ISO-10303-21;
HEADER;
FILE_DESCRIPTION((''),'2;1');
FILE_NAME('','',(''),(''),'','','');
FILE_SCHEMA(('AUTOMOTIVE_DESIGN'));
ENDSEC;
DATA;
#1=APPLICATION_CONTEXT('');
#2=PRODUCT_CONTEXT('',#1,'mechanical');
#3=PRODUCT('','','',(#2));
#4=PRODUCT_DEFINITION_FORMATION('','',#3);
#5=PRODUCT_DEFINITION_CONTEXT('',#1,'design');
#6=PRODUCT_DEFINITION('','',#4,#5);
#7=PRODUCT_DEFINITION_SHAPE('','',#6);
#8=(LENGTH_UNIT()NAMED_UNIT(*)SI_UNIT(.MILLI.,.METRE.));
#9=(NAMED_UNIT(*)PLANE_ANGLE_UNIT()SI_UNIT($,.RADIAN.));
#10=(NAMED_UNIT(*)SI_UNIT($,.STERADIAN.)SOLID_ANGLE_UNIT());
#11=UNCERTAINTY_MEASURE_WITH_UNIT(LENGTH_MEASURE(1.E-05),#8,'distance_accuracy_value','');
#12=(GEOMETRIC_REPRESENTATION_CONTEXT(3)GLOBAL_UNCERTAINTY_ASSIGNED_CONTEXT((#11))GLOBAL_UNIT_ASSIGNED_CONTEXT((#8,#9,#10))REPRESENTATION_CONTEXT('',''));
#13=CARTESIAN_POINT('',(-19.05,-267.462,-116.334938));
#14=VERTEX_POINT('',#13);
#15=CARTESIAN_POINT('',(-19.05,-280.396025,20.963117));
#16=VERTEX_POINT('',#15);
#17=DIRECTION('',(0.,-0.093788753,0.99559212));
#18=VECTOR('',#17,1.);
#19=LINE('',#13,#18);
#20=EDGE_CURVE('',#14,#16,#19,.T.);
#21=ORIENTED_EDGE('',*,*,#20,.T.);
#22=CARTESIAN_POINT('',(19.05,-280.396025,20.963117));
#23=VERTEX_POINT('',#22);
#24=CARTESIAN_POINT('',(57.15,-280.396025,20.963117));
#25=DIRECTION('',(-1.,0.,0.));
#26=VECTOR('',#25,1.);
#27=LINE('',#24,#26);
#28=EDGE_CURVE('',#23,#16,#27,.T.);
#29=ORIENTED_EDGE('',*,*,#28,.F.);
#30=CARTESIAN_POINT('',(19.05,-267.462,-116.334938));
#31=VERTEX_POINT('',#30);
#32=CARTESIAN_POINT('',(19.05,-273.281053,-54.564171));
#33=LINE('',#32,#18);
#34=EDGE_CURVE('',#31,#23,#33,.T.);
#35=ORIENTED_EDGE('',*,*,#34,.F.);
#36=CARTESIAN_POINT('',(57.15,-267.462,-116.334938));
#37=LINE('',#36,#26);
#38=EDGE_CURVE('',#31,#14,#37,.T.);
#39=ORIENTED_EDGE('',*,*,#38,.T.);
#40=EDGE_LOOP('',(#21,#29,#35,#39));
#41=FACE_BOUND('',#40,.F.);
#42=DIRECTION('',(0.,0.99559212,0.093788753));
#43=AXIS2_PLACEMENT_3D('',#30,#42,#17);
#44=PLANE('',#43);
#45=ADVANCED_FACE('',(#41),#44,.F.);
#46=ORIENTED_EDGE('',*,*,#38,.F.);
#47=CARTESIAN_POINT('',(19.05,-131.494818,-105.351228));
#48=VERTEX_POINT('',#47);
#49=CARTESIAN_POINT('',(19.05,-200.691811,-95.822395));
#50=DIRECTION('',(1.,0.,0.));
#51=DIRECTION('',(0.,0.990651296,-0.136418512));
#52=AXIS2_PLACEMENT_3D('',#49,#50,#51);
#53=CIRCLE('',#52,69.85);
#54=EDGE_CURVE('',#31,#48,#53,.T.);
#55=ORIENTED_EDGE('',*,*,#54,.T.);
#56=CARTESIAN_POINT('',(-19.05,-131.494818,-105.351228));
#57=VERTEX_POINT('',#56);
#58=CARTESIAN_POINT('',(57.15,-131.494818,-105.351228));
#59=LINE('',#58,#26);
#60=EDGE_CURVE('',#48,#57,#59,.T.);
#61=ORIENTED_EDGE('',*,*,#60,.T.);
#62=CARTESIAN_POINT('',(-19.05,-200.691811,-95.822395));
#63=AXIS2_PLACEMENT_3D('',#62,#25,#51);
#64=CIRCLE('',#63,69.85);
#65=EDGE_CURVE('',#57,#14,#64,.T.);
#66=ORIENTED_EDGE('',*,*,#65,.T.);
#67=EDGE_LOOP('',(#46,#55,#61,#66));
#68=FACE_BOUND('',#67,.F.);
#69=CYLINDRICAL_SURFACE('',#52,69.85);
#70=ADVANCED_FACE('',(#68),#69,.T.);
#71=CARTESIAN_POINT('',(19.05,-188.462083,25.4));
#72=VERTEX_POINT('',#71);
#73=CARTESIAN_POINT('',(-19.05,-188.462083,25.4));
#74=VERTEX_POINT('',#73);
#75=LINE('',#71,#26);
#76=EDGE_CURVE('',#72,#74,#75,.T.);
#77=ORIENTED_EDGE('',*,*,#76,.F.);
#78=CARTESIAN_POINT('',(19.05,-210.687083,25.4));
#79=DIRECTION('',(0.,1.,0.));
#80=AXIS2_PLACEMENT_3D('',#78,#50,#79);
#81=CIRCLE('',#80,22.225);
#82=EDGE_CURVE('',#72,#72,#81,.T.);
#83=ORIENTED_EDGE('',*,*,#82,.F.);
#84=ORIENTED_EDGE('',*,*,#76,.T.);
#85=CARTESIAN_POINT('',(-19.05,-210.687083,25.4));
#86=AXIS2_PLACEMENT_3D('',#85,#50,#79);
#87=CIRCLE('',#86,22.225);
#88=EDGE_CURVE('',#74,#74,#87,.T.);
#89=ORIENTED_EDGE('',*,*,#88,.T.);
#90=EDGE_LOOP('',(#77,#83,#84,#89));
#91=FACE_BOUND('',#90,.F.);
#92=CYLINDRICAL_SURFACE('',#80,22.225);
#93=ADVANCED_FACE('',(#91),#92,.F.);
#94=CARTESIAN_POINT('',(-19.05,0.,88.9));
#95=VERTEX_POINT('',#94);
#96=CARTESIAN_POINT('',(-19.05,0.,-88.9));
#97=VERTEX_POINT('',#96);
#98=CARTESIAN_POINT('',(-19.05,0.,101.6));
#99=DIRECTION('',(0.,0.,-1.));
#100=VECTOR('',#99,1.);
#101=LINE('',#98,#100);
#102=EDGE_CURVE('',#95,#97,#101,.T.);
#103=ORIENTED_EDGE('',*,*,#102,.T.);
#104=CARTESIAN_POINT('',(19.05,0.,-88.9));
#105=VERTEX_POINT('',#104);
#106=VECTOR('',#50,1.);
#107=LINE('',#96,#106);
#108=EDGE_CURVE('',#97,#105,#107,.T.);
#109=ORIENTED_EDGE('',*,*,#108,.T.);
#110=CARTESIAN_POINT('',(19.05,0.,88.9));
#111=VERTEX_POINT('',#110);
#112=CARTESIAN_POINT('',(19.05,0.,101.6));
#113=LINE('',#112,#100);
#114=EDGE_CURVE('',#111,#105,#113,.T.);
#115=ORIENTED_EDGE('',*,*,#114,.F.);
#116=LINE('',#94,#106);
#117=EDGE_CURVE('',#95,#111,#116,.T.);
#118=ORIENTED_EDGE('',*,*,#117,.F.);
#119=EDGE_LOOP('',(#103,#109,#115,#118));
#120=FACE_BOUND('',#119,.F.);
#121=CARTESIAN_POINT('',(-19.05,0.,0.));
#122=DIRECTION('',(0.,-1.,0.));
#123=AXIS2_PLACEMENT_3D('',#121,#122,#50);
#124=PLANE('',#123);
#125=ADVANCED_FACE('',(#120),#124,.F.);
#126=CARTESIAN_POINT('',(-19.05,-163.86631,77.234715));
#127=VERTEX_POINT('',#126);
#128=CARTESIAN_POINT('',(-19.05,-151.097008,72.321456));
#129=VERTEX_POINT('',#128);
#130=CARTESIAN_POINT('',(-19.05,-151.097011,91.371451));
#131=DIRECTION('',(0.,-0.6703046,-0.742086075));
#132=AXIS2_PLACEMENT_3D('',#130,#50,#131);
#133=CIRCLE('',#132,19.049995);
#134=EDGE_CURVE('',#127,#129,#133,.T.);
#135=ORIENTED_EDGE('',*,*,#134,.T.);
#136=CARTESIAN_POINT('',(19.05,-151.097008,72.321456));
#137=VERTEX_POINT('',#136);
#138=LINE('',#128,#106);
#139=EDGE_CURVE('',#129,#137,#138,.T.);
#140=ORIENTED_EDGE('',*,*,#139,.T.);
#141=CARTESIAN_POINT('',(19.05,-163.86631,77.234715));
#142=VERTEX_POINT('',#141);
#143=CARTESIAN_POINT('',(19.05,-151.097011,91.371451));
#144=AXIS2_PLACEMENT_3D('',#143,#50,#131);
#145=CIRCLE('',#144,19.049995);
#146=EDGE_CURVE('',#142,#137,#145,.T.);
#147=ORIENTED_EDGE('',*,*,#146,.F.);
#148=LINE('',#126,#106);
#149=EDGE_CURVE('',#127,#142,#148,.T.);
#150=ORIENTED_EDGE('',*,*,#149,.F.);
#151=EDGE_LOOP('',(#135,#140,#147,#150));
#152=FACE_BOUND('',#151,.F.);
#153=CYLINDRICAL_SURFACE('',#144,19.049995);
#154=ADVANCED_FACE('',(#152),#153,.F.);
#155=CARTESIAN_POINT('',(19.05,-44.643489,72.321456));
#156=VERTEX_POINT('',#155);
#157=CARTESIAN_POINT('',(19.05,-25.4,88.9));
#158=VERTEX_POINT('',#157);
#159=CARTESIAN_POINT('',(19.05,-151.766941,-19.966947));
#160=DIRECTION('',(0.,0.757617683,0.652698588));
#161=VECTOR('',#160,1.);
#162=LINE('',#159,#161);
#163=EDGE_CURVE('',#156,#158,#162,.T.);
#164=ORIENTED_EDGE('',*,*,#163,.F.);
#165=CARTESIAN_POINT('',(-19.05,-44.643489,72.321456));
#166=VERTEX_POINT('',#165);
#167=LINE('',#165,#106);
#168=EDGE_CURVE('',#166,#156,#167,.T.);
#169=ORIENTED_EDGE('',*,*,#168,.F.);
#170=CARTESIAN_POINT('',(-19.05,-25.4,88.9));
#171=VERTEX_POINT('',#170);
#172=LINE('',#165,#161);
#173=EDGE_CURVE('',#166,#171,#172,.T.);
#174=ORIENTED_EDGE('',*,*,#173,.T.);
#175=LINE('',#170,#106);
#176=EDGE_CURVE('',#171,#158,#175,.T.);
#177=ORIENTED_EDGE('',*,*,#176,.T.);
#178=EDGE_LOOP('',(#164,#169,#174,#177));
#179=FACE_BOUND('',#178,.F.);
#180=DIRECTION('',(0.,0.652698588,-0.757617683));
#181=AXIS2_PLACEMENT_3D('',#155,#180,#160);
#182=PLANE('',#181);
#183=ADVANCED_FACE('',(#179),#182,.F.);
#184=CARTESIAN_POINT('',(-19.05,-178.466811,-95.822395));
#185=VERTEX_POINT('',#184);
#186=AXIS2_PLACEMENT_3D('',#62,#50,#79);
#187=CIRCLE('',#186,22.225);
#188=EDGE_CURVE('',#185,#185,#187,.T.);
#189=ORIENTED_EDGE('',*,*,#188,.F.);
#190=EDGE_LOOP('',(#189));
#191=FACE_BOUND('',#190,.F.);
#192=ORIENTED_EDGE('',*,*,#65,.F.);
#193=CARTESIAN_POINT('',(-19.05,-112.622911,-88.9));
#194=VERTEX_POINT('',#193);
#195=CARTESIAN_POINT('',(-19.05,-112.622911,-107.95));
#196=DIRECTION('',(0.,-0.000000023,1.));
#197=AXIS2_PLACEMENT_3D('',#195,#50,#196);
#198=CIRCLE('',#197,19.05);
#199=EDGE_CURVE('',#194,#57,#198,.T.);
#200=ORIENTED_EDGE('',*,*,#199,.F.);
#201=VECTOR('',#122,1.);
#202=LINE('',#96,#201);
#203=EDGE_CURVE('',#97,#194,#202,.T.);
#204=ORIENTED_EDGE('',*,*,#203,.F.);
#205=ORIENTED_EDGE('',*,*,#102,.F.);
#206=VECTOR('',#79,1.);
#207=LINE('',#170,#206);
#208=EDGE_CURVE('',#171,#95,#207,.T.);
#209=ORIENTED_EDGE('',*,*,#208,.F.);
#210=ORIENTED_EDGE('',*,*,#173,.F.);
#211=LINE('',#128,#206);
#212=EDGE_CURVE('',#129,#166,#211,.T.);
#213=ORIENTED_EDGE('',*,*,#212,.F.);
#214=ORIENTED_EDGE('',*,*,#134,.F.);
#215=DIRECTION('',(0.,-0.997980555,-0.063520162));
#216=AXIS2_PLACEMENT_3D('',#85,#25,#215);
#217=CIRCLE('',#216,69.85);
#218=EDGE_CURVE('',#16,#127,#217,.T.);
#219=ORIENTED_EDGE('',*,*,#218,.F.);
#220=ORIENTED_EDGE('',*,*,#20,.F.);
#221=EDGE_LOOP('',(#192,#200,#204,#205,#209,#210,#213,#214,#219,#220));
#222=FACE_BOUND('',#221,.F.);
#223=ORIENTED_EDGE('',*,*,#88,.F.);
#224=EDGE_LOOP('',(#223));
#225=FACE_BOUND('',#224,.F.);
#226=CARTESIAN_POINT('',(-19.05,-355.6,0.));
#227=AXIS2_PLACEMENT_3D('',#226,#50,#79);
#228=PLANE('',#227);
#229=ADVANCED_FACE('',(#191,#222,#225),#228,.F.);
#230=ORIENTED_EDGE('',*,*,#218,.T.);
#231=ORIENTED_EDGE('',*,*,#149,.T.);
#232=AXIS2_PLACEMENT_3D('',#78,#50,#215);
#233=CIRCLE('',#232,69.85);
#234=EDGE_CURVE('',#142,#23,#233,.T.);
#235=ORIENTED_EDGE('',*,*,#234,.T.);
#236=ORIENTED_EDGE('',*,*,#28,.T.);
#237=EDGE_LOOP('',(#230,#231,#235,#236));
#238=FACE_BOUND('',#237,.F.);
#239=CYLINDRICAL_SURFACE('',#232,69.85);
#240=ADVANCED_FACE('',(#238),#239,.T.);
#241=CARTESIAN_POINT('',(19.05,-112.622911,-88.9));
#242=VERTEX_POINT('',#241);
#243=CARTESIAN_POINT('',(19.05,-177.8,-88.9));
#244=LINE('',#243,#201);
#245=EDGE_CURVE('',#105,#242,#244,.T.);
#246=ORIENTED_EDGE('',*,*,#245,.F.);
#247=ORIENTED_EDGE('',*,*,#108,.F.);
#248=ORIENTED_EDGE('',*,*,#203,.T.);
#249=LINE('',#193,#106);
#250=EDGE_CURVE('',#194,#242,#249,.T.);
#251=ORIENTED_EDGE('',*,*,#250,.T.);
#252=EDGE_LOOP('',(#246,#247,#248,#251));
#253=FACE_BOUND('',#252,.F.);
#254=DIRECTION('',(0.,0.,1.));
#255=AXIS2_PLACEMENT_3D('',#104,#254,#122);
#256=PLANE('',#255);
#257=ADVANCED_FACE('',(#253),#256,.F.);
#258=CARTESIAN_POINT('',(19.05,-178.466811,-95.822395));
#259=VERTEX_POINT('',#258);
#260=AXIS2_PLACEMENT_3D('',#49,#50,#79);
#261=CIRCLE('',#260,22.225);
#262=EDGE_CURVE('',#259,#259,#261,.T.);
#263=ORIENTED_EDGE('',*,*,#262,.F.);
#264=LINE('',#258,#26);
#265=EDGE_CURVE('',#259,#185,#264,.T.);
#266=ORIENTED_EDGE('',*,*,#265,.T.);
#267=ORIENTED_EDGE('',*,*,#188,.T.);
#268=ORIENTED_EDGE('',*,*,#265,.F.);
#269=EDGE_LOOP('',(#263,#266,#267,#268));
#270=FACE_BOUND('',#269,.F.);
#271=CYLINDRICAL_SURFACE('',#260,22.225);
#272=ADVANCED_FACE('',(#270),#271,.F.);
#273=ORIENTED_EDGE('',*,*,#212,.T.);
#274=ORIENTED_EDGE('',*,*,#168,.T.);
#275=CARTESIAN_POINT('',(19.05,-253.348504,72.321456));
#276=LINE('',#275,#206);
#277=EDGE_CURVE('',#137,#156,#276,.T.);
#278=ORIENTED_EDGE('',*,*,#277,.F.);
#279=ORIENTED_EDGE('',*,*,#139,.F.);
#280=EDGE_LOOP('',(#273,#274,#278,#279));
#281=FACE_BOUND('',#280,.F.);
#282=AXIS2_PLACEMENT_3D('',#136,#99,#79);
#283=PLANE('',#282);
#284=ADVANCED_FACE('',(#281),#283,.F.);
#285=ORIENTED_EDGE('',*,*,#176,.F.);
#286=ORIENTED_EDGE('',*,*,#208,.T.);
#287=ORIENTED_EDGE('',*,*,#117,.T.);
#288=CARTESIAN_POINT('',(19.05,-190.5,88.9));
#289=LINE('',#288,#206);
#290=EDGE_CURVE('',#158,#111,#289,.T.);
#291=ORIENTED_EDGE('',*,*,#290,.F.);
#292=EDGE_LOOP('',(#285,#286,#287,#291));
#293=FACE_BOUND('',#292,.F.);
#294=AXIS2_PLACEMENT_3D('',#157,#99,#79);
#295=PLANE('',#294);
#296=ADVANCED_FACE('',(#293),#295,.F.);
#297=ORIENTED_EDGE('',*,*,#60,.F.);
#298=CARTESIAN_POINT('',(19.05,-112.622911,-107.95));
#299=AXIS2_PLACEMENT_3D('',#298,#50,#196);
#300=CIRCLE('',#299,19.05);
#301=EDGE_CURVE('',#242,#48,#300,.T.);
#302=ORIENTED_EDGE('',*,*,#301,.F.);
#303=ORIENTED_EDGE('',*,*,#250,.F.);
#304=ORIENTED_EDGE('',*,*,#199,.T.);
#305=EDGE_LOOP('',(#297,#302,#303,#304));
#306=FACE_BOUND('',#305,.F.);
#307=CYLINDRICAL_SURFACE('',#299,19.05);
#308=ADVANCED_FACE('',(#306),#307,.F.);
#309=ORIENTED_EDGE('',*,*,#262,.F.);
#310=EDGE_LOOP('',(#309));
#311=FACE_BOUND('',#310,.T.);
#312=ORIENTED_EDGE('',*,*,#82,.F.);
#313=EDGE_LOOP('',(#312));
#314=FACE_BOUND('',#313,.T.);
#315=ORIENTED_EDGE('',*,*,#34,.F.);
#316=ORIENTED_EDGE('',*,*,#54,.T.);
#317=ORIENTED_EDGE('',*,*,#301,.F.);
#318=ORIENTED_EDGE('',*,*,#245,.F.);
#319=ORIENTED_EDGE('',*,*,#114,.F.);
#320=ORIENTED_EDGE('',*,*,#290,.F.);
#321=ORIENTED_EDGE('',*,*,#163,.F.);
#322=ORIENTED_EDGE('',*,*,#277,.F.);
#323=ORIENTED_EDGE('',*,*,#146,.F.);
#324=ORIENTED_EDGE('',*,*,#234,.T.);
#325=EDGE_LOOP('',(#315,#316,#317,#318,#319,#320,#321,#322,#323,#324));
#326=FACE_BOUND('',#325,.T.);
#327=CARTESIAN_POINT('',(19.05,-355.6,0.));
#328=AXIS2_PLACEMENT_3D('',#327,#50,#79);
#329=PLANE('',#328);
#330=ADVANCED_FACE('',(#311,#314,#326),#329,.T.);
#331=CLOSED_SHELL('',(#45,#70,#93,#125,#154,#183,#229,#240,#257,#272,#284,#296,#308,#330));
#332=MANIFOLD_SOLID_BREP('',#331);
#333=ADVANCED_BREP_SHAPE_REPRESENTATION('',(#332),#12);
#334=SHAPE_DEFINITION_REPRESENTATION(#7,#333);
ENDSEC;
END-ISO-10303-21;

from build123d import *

# Parameters (mm, degrees)
F0_W          = 38.1
F0_H          = 355.6
F1_DEPTH      = 101.6
F1_DEPTH_BACK = 190.5
F2_R          = 22.225
F3_DEPTH      = 38.1


with BuildPart() as f1:
    # F0 (on Top) → F1 (new body, two sides)
    with BuildSketch(Plane.XY) as f1_sk:
        with Locations((0, -177.8)):
            Rectangle(F0_W, F0_H)
    extrude(amount=F1_DEPTH)
    extrude(f1_sk.sketch, amount=-F1_DEPTH_BACK)

    # F2 (on face) → F3 (cut, symmetric)
    with BuildSketch(Plane.YZ.offset(19.05)):
        with Locations((-210.687083, 25.4)):
            Circle(F2_R)
        with Locations((-200.691811, -95.822395)):
            Circle(F2_R)
        with BuildLine():
            ThreePointArc((-280.396025, 20.963117), (-241.061254, 88.300177), (-163.86631, 77.234715))
            ThreePointArc((-163.86631, 77.234715), (-157.937973, 73.59215), (-151.097008, 72.321456))
            Line((-151.097008, 72.321456), (-44.643489, 72.321456))
            Line((-44.643489, 72.321456), (-25.4, 88.9))
            Line((-25.4, 88.9), (0, 88.9))
            Line((0, 88.9), (0, 101.6))
            Line((0, 101.6), (-355.6, 101.6))
            Line((-355.6, 101.6), (-355.6, -190.5))
            Line((-355.6, -190.5), (0, -190.5))
            Line((0, -190.5), (0, -88.9))
            Line((0, -88.9), (-112.622911, -88.9))
            ThreePointArc((-112.622911, -88.9), (-125.140816, -93.590176), (-131.494818, -105.351228))
            ThreePointArc((-131.494818, -105.351228), (-195.067505, -165.445593), (-267.462, -116.334938))
            Line((-267.462, -116.334938), (-280.396025, 20.963117))
        make_face()
    extrude(amount=F3_DEPTH, both=True, mode=Mode.SUBTRACT)


solid = f1.part
